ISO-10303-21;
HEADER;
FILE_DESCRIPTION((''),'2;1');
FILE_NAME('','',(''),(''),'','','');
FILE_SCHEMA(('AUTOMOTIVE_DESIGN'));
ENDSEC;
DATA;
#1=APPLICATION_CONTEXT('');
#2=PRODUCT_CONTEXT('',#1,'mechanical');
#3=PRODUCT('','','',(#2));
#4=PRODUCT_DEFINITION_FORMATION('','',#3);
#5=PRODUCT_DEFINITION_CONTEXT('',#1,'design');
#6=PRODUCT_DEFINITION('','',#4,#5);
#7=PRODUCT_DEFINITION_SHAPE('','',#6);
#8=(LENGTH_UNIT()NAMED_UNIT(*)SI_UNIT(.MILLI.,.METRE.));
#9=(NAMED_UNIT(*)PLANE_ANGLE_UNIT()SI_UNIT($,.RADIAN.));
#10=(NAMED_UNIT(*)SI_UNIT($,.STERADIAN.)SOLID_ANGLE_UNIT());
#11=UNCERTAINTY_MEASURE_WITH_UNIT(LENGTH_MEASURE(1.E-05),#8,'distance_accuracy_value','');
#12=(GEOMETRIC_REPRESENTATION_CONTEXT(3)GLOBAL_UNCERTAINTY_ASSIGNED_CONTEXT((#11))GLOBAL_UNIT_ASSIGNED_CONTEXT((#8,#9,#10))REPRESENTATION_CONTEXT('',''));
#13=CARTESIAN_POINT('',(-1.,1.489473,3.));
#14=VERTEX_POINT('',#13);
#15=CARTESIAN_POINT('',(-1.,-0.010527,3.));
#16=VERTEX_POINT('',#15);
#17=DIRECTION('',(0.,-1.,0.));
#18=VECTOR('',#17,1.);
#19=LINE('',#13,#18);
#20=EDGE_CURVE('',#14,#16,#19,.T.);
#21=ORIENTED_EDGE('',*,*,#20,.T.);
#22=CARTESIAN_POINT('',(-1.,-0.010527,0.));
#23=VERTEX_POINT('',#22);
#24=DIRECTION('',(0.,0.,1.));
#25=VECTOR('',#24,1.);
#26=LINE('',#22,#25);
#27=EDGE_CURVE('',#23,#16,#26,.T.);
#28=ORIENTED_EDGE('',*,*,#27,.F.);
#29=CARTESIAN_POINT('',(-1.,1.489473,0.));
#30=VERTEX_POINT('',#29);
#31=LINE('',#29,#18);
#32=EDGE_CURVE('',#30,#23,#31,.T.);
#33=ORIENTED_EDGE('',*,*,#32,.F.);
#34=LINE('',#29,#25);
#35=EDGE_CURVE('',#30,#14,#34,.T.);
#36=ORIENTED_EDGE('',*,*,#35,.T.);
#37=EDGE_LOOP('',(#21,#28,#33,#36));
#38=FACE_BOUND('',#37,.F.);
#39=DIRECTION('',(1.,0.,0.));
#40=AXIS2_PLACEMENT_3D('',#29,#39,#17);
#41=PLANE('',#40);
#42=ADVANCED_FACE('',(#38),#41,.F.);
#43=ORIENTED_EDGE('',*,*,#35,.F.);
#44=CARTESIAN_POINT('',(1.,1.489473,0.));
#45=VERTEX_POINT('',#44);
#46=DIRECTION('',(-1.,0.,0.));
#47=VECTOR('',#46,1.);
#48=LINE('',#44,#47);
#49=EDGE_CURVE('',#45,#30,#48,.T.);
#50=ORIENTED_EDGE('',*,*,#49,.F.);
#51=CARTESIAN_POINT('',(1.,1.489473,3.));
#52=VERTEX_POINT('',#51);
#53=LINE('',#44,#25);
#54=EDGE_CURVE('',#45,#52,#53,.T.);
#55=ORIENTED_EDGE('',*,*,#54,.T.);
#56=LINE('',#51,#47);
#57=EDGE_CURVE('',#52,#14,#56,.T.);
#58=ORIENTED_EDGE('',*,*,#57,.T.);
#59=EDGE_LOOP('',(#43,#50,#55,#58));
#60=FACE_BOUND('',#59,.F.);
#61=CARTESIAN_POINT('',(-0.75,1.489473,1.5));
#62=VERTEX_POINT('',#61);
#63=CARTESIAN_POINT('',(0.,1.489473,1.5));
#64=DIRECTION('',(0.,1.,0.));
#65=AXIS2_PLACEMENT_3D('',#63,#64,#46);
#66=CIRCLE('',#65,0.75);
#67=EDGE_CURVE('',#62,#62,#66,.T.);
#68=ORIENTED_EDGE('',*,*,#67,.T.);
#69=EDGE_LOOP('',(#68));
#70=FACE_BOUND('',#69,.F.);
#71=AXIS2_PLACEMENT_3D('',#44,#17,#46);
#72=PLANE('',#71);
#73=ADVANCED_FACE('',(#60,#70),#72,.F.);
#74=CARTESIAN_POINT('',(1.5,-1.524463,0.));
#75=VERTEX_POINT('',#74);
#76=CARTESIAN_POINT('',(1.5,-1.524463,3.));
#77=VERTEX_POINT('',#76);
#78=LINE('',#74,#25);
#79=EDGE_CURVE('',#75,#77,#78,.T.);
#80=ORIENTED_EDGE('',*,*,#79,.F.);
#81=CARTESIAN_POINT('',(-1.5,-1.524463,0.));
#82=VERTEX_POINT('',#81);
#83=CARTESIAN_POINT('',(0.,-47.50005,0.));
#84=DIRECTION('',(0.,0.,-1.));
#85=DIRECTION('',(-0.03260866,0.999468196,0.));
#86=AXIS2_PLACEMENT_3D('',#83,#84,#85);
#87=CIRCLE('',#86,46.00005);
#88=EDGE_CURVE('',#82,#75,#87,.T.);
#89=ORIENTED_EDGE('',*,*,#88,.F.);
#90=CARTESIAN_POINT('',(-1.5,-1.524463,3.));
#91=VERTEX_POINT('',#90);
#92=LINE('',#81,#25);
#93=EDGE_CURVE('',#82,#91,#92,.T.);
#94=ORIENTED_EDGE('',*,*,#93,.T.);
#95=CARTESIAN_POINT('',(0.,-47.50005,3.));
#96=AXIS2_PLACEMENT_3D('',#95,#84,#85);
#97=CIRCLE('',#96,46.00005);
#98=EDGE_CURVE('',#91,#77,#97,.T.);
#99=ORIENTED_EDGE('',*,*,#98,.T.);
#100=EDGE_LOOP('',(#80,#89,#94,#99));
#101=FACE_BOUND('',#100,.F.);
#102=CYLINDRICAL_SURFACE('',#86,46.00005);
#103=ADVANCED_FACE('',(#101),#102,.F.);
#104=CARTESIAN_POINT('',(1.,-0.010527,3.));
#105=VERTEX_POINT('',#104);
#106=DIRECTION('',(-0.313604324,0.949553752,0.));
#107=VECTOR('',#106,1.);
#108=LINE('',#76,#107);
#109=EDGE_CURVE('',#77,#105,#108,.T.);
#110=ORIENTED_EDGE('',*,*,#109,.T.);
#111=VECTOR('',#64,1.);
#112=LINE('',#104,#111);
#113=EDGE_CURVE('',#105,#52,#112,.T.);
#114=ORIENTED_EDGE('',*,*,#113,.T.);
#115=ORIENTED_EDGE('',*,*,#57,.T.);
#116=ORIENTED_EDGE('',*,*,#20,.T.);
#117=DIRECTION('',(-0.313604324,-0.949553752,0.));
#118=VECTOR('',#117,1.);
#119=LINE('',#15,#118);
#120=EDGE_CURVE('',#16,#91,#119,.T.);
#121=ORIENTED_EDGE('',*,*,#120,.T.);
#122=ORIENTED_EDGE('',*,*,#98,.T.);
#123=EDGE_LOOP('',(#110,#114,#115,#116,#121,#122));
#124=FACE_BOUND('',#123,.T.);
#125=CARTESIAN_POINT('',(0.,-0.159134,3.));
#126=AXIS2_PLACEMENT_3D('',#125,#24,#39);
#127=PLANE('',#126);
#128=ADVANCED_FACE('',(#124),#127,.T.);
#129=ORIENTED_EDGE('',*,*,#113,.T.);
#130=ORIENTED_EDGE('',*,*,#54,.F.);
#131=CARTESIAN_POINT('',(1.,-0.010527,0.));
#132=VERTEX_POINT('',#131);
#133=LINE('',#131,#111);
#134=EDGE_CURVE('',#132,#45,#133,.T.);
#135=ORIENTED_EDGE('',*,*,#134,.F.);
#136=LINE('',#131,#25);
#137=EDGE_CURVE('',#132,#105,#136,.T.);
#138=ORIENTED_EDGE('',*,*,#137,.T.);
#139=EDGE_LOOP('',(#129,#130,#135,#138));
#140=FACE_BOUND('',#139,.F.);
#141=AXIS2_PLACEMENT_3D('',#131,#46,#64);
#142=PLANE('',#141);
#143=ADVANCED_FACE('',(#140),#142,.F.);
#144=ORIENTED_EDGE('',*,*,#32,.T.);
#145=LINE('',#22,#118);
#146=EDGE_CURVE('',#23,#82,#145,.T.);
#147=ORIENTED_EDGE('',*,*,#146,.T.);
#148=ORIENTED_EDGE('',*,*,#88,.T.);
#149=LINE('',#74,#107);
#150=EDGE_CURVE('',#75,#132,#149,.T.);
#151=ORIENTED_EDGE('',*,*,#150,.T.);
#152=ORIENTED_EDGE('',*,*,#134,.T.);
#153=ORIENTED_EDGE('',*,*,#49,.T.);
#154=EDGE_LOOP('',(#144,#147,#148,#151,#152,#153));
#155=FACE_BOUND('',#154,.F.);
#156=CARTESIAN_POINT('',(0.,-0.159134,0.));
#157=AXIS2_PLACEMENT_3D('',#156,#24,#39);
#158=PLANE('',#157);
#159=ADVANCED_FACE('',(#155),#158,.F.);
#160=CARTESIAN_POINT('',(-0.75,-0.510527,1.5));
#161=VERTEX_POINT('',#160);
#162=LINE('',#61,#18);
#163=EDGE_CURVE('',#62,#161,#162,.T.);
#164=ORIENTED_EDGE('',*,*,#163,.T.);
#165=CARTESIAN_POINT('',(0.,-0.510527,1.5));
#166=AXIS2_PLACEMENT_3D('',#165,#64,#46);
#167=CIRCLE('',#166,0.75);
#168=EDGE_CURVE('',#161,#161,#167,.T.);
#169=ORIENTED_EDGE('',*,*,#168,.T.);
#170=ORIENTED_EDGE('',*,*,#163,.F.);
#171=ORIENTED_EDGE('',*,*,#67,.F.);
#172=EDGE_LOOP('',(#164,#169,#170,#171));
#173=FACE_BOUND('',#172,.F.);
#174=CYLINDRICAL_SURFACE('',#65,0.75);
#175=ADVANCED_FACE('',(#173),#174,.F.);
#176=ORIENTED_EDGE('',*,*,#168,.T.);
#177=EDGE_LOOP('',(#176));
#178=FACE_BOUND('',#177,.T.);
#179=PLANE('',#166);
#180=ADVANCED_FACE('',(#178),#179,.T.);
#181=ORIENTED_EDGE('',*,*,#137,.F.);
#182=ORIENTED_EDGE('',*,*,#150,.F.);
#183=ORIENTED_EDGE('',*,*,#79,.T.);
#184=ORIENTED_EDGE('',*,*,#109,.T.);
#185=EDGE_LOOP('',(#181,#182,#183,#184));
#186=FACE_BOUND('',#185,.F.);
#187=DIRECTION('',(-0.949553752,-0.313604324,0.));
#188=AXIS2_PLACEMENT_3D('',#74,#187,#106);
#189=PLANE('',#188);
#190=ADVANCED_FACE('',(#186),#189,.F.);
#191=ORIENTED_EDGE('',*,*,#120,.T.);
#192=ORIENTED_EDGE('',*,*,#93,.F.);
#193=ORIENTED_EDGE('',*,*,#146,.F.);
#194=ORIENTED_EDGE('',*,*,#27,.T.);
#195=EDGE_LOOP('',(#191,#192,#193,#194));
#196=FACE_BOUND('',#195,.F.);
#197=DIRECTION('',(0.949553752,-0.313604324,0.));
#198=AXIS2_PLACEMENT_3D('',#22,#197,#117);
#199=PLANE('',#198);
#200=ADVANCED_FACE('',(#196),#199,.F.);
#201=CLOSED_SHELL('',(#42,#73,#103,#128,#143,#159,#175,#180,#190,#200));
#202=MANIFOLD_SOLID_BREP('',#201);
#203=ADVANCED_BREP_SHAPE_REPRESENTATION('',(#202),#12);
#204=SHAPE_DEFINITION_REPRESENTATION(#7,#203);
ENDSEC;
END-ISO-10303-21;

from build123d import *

# Parameters (mm, degrees)
F1_DEPTH = 3
F2_R     = 0.75
F3_DEPTH = 2


with BuildPart() as f1:
    # F0 (on Top) → F1 (new body)
    with BuildSketch(Plane.XY):
        with BuildLine():
            Line((-1, -0.010527), (-1.5, -1.524463))
            ThreePointArc((-1.5, -1.524463), (0, -1.5), (1.5, -1.524463))
            Line((1.5, -1.524463), (1, -0.010527))
            Line((1, -0.010527), (1, 1.489473))
            Line((1, 1.489473), (-1, 1.489473))
            Line((-1, 1.489473), (-1, -0.010527))
        make_face()
    extrude(amount=F1_DEPTH)

    # F2 (on face) → F3 (cut)
    with BuildSketch(Plane(origin=(0, 1.489473, 0), x_dir=(-1, 0, 0), z_dir=(0, 1, 0))):
        with Locations((0, 1.5)):
            Circle(F2_R)
    extrude(amount=-F3_DEPTH, mode=Mode.SUBTRACT)


solid = f1.part
